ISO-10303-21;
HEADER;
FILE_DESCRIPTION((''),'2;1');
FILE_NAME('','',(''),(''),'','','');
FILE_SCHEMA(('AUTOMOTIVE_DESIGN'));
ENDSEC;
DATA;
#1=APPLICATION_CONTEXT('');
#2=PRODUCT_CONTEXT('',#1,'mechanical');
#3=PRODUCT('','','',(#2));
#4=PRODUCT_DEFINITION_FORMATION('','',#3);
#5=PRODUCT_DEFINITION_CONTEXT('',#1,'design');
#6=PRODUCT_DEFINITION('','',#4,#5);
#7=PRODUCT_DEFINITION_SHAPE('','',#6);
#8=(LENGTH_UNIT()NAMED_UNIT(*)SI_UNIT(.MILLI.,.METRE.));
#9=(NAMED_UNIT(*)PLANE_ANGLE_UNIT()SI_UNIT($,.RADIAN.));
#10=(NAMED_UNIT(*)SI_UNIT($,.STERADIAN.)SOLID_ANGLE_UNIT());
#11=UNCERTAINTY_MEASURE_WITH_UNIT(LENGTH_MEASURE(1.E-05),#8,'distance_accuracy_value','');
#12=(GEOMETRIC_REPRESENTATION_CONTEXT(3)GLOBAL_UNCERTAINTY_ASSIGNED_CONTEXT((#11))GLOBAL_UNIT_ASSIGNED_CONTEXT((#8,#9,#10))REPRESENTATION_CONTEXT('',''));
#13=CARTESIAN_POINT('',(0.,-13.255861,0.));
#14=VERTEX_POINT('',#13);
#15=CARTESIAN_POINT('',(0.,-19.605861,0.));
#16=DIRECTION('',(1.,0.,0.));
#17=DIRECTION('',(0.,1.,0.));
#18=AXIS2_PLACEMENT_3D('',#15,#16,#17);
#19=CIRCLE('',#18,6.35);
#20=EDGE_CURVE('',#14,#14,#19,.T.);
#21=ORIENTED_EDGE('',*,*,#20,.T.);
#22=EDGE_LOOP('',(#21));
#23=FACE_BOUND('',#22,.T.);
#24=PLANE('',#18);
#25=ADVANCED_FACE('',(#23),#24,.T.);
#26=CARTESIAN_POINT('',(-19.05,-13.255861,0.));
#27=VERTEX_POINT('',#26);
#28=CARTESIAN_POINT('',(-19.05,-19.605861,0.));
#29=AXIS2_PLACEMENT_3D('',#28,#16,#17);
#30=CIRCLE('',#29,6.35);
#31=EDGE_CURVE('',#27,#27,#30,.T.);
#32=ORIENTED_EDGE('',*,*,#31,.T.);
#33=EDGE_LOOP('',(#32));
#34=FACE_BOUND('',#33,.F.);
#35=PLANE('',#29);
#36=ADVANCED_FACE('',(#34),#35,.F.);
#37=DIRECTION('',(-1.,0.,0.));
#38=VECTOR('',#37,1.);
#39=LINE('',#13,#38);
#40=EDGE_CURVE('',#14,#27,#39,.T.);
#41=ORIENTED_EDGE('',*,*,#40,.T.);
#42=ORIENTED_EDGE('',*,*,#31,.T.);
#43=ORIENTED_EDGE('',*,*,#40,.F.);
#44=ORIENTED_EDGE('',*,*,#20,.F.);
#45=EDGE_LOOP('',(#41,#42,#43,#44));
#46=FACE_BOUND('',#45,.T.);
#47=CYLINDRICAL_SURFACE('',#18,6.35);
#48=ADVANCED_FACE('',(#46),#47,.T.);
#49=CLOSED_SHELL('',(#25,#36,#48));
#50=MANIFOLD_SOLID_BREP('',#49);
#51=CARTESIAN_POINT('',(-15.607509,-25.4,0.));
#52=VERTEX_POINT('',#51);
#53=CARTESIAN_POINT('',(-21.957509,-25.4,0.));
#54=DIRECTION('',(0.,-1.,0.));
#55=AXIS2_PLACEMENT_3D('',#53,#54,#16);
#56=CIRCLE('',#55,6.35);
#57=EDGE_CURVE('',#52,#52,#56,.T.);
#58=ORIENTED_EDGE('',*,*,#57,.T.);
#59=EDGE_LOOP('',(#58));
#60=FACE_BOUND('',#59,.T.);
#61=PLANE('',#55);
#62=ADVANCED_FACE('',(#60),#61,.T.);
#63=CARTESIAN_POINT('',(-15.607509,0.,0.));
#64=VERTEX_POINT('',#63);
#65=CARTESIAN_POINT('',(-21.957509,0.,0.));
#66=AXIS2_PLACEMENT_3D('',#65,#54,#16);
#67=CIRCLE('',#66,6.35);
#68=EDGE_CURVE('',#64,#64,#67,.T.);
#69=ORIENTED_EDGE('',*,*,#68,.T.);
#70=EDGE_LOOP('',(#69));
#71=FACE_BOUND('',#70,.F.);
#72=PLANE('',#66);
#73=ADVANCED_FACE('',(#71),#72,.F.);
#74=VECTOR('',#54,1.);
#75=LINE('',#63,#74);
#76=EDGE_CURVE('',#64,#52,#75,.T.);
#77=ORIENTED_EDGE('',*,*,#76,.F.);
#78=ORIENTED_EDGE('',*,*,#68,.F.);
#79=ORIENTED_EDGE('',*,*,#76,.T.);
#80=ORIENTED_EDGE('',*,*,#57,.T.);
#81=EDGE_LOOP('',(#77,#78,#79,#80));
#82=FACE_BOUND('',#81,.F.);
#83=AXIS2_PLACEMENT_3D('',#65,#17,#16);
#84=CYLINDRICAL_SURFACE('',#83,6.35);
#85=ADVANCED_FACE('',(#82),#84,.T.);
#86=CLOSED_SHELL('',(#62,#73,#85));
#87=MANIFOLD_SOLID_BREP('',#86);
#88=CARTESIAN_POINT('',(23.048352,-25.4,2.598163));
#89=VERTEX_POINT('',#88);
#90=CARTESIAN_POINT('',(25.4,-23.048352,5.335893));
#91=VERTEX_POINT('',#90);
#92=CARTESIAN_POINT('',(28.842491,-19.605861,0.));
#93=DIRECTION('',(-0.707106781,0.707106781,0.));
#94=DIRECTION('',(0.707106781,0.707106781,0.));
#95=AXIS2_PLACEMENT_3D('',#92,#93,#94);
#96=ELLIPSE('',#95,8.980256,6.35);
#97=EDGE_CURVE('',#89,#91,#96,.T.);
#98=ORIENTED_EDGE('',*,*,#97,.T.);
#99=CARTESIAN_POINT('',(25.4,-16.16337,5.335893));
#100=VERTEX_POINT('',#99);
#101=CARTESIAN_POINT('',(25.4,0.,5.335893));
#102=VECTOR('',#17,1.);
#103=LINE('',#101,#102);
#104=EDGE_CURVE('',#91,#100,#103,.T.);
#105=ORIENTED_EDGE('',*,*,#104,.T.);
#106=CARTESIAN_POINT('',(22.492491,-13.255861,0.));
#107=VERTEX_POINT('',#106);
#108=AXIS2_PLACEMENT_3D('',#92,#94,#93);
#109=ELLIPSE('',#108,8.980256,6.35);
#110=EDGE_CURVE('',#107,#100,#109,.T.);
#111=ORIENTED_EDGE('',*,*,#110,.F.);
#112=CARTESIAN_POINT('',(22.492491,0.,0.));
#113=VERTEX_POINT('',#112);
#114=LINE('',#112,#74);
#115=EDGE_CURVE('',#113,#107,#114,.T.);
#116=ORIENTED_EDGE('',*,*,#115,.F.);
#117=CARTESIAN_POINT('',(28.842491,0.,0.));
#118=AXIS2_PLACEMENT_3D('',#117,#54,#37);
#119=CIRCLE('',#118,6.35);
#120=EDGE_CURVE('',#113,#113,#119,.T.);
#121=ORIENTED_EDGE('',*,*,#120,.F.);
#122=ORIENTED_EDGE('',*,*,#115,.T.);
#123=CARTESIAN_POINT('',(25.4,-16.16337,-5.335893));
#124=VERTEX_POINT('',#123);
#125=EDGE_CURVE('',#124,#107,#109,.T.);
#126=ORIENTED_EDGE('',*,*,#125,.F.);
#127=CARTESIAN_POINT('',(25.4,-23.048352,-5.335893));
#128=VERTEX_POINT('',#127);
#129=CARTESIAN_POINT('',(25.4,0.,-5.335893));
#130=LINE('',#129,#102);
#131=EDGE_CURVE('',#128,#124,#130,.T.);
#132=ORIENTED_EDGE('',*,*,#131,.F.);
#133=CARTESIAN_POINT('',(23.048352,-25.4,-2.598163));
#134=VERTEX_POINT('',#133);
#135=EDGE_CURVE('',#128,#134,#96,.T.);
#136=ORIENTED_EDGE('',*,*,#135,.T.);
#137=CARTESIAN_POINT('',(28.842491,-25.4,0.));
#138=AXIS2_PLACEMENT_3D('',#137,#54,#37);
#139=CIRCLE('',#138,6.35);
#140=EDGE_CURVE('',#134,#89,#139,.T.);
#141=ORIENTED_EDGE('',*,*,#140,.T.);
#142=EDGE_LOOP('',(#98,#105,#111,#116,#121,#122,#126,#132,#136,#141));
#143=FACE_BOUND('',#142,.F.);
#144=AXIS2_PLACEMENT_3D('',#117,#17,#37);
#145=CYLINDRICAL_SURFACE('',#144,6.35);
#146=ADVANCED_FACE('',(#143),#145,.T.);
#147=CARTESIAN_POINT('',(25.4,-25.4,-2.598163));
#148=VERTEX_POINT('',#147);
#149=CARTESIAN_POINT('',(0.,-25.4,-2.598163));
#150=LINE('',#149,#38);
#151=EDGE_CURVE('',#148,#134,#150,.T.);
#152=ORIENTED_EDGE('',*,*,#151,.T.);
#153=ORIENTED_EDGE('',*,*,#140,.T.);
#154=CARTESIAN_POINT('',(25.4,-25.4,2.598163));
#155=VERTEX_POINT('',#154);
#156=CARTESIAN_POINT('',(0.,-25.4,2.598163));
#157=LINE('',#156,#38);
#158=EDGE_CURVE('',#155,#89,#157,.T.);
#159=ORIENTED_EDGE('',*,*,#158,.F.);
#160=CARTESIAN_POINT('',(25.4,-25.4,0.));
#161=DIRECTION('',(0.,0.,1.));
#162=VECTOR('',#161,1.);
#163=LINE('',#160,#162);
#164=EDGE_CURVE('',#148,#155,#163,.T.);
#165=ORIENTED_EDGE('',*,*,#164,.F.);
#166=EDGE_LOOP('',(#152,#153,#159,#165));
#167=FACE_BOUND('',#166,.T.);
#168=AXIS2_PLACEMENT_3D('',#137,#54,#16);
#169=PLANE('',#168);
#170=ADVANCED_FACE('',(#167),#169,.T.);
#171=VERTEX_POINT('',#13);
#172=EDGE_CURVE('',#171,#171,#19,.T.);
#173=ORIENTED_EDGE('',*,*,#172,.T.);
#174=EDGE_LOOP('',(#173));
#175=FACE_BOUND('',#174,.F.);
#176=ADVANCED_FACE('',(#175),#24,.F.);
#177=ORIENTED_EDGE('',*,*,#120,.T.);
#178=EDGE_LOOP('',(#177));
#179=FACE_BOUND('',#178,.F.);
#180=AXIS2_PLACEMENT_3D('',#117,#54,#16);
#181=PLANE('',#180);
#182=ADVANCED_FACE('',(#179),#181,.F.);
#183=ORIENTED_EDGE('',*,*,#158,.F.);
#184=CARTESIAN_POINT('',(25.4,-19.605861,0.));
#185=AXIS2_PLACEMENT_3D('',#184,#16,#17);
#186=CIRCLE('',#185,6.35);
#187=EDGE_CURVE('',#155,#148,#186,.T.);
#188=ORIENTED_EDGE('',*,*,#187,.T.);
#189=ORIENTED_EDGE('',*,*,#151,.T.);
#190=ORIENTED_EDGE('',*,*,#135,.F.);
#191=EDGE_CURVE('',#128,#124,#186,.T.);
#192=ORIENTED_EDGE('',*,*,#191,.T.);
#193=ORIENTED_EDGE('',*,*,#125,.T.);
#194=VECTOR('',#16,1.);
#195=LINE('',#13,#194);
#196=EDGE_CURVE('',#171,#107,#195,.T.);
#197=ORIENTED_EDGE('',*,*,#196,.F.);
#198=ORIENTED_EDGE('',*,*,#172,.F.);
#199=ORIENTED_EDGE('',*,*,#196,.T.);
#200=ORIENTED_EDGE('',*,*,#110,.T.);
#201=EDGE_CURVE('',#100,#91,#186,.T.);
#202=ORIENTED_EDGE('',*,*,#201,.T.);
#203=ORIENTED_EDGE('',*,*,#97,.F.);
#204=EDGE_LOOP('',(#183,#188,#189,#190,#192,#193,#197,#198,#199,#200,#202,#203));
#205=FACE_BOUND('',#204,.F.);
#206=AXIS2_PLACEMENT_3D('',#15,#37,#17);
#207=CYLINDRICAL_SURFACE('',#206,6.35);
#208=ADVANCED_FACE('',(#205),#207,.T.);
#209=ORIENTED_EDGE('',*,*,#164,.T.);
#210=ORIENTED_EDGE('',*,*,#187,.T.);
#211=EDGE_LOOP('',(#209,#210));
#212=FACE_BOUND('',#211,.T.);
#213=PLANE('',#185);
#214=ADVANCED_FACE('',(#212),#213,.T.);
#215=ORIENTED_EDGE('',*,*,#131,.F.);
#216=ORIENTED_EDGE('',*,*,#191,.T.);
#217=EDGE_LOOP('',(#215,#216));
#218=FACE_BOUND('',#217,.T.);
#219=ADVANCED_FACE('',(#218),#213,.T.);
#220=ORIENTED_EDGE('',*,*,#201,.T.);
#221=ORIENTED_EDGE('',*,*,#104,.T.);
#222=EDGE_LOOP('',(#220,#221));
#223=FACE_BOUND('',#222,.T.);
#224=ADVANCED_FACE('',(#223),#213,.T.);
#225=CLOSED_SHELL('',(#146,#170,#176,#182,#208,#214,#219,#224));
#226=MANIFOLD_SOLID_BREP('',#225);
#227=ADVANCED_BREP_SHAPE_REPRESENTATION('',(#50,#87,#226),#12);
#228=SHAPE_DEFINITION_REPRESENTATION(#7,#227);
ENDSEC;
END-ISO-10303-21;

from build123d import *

# Parameters (mm, degrees)
F0_R     = 6.35
F1_DEPTH = 25.4
F2_R     = 6.35
F3_DEPTH = 25.4
F4_DEPTH = 19.05


with BuildPart() as f1:
    # F0 (on Front) → F1 (new body)
    with BuildSketch(Plane.XZ):
        with Locations((-21.957509, 0)):
            Circle(F0_R)
        with BuildLine():
            ThreePointArc((35.192491, 0), (28.842491, 6.35), (22.492491, 0))
            ThreePointArc((22.492491, 0), (28.842491, -6.35), (35.192491, 0))
        make_face()
    extrude(amount=F1_DEPTH)

    # F2 (on Right) → F3 (join)
    with BuildSketch(Plane.YZ):
        with Locations((-19.605861, 0)):
            Circle(F2_R)
    extrude(amount=F3_DEPTH)


with BuildPart() as f4:
    # F2 (on Right) → F4 (new body)
    with BuildSketch(Plane.YZ):
        with Locations((-19.605861, 0)):
            Circle(F2_R)
    extrude(amount=-F4_DEPTH)


solid = Compound([f1.part, f4.part])
